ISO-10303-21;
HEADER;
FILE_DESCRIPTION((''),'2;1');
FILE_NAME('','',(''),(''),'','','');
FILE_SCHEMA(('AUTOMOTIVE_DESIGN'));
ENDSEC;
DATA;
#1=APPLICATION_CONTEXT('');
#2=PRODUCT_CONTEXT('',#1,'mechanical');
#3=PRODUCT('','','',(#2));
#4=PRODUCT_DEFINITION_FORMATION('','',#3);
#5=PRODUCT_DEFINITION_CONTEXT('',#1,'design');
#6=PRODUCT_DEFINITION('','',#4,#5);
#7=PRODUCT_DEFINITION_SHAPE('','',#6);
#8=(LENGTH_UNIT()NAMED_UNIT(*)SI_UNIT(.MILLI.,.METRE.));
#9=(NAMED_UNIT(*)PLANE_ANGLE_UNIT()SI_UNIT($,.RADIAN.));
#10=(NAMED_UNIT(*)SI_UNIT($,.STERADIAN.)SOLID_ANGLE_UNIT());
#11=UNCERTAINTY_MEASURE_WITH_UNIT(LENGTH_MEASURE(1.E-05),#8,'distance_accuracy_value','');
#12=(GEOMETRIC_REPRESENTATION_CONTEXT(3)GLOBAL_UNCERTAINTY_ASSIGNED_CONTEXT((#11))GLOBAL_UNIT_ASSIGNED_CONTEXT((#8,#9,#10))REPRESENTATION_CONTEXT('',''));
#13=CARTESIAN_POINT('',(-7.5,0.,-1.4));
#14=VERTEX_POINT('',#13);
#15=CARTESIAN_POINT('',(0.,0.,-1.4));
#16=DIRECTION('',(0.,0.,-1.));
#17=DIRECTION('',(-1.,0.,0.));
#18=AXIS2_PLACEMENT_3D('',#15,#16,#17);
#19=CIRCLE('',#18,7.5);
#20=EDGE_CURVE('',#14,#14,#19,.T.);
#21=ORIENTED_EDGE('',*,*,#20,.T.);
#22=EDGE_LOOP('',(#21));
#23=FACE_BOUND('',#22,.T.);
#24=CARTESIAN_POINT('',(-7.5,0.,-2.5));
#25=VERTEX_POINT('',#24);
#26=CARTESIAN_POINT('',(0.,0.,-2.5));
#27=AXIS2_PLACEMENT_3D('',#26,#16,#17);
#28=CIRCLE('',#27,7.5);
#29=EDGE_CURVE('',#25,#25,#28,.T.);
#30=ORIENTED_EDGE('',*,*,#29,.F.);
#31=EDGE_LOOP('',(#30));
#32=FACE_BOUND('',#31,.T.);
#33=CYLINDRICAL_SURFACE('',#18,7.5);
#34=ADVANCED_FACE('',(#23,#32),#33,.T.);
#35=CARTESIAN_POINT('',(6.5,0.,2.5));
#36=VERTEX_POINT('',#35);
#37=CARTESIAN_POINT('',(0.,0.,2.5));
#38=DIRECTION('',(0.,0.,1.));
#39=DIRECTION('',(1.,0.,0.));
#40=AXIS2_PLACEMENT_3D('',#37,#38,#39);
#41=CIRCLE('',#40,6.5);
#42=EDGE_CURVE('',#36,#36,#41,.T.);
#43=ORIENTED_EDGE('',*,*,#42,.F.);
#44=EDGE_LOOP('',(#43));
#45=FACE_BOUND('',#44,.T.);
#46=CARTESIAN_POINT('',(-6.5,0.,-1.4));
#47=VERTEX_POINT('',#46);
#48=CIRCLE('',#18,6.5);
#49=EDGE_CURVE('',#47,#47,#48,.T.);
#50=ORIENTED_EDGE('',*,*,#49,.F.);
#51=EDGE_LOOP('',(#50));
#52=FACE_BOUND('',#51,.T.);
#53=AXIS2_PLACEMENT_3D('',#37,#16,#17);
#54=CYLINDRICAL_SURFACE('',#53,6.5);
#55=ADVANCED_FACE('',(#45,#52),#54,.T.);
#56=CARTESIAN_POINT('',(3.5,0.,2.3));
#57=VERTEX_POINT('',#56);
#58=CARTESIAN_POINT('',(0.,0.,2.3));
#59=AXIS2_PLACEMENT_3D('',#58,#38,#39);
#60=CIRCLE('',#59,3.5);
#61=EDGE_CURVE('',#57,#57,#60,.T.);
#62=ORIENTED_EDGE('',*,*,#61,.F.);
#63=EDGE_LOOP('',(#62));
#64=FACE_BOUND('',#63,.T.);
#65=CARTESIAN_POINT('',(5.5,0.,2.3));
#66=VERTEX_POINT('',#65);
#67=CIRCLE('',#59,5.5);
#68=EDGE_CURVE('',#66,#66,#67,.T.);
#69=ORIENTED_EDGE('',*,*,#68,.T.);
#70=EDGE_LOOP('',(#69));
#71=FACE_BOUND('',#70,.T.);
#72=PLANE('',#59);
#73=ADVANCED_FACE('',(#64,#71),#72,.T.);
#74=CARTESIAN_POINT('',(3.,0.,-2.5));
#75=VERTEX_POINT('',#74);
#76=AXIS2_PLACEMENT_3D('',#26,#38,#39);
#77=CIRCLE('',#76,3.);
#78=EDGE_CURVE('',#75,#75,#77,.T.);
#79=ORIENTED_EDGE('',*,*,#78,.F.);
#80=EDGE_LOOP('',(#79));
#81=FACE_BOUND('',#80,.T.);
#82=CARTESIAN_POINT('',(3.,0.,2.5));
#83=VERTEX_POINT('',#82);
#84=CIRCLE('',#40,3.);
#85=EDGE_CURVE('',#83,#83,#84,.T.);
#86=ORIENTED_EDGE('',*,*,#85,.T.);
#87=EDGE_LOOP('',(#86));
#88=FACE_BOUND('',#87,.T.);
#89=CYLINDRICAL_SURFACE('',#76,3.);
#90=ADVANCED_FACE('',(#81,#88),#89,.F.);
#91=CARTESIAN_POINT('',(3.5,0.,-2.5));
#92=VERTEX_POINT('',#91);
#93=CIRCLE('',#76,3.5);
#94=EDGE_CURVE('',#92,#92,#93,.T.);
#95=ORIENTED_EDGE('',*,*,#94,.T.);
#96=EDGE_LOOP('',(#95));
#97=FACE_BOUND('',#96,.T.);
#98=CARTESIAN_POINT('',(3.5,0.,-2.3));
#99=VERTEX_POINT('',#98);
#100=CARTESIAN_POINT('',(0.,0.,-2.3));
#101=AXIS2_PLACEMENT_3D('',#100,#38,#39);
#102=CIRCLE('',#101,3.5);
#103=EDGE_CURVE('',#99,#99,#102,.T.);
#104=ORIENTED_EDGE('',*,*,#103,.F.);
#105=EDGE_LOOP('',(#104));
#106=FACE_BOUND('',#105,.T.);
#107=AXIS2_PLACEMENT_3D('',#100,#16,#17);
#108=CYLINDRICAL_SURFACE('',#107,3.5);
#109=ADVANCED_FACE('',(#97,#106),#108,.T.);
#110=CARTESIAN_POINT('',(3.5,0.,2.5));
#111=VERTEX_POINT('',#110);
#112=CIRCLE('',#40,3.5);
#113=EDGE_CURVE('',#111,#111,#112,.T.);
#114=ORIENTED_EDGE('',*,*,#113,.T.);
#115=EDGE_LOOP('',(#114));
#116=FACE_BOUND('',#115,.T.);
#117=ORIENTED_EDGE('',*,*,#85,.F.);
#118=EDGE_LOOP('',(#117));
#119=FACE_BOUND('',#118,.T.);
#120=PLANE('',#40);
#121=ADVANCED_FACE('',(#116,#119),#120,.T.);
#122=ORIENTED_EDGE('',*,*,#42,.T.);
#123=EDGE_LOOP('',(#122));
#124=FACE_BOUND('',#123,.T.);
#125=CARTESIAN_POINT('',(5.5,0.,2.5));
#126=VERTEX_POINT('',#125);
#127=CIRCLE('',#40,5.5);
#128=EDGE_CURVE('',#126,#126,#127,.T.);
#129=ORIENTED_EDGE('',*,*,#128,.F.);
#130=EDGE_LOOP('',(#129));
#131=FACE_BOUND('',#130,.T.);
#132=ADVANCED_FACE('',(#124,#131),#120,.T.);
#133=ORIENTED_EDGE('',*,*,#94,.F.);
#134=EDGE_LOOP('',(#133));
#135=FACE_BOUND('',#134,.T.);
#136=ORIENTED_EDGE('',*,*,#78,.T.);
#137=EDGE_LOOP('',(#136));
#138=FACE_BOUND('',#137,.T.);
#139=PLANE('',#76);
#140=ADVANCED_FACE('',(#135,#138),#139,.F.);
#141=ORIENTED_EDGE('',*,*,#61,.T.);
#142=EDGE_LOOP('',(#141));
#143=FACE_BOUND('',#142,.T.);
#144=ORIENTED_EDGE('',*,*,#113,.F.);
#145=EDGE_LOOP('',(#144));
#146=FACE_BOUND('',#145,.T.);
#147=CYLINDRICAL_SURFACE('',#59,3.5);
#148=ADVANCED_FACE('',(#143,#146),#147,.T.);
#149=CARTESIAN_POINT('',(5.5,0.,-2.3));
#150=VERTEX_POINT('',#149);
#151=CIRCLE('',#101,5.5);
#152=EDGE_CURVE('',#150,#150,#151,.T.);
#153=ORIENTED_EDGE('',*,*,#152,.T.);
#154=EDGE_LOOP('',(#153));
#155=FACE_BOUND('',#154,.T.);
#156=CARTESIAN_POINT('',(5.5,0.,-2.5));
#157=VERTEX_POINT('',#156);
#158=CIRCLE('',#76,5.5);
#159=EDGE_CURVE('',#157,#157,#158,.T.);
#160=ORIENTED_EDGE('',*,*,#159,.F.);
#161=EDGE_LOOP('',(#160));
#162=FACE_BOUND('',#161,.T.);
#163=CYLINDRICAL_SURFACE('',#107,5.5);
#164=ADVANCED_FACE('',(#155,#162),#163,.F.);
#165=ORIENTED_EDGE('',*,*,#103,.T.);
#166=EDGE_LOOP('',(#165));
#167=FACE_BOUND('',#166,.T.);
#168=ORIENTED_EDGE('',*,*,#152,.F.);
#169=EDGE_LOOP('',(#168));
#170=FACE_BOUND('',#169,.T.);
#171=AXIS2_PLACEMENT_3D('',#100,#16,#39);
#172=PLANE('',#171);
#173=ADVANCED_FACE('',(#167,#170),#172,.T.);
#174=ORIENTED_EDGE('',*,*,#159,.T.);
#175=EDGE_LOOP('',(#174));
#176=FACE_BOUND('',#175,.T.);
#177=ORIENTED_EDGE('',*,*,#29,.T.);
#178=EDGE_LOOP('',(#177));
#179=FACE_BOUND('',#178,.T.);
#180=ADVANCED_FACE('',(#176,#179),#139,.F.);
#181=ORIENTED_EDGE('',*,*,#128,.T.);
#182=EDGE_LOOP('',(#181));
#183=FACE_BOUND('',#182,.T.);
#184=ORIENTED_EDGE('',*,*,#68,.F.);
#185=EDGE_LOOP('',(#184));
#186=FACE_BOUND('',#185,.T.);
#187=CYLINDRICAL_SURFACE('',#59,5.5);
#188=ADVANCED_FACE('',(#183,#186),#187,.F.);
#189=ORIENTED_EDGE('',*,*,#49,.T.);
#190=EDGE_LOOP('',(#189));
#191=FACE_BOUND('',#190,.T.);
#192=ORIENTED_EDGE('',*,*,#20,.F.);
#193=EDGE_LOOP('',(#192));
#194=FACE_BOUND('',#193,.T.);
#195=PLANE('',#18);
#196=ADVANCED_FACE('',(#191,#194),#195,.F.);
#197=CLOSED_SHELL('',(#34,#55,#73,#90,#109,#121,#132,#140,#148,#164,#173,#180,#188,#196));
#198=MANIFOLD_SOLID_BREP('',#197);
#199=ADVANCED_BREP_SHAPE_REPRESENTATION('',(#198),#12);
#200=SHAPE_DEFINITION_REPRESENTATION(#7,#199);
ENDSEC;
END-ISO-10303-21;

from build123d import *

# Parameters (mm, degrees)
SKETCH_1_R          = 6.5
EXTRUDE_1_DEPTH     = 2.5
SKETCH_4_R          = 7.5
EXTRUDE_2_DEPTH     = 1.1
SKETCH_2_R          = 3
CUT_EXTRUDE_1_DEPTH = 6
SKETCH_3_R          = 5.5
SKETCH_3_R_2        = 3.5
CUT_EXTRUDE_2_DEPTH = 0.2


with BuildPart() as part:
    # 草圖1 → 填料-伸長1 (new body, symmetric)
    with BuildSketch(Plane.XY):
        Circle(SKETCH_1_R)
    extrude(amount=EXTRUDE_1_DEPTH, both=True)

    # 草圖4 → 填料-伸長2 (add)
    with BuildSketch(Plane(origin=(0, 0, -2.5), x_dir=(-1, 0, 0), z_dir=(0, 0, -1))):
        Circle(SKETCH_4_R)
    extrude(amount=-EXTRUDE_2_DEPTH)

    # 草圖2 → 除料-伸長1 (cut, through all)
    with BuildSketch(Plane.XY.offset(2.5)):
        Circle(SKETCH_2_R)
    extrude(amount=-CUT_EXTRUDE_1_DEPTH, mode=Mode.SUBTRACT)

    # 草圖3 → 除料-伸長2 (cut)
    with BuildSketch(Plane.XY.offset(2.5)):
        Circle(SKETCH_3_R)
        Circle(SKETCH_3_R_2, mode=Mode.SUBTRACT)
    cut_extrude_2 = extrude(amount=-CUT_EXTRUDE_2_DEPTH, mode=Mode.SUBTRACT)

    # 鏡射1: 除料-伸長2 across plane
    add(cut_extrude_2.mirror(Plane.XY), mode=Mode.SUBTRACT)


solid = part.part
